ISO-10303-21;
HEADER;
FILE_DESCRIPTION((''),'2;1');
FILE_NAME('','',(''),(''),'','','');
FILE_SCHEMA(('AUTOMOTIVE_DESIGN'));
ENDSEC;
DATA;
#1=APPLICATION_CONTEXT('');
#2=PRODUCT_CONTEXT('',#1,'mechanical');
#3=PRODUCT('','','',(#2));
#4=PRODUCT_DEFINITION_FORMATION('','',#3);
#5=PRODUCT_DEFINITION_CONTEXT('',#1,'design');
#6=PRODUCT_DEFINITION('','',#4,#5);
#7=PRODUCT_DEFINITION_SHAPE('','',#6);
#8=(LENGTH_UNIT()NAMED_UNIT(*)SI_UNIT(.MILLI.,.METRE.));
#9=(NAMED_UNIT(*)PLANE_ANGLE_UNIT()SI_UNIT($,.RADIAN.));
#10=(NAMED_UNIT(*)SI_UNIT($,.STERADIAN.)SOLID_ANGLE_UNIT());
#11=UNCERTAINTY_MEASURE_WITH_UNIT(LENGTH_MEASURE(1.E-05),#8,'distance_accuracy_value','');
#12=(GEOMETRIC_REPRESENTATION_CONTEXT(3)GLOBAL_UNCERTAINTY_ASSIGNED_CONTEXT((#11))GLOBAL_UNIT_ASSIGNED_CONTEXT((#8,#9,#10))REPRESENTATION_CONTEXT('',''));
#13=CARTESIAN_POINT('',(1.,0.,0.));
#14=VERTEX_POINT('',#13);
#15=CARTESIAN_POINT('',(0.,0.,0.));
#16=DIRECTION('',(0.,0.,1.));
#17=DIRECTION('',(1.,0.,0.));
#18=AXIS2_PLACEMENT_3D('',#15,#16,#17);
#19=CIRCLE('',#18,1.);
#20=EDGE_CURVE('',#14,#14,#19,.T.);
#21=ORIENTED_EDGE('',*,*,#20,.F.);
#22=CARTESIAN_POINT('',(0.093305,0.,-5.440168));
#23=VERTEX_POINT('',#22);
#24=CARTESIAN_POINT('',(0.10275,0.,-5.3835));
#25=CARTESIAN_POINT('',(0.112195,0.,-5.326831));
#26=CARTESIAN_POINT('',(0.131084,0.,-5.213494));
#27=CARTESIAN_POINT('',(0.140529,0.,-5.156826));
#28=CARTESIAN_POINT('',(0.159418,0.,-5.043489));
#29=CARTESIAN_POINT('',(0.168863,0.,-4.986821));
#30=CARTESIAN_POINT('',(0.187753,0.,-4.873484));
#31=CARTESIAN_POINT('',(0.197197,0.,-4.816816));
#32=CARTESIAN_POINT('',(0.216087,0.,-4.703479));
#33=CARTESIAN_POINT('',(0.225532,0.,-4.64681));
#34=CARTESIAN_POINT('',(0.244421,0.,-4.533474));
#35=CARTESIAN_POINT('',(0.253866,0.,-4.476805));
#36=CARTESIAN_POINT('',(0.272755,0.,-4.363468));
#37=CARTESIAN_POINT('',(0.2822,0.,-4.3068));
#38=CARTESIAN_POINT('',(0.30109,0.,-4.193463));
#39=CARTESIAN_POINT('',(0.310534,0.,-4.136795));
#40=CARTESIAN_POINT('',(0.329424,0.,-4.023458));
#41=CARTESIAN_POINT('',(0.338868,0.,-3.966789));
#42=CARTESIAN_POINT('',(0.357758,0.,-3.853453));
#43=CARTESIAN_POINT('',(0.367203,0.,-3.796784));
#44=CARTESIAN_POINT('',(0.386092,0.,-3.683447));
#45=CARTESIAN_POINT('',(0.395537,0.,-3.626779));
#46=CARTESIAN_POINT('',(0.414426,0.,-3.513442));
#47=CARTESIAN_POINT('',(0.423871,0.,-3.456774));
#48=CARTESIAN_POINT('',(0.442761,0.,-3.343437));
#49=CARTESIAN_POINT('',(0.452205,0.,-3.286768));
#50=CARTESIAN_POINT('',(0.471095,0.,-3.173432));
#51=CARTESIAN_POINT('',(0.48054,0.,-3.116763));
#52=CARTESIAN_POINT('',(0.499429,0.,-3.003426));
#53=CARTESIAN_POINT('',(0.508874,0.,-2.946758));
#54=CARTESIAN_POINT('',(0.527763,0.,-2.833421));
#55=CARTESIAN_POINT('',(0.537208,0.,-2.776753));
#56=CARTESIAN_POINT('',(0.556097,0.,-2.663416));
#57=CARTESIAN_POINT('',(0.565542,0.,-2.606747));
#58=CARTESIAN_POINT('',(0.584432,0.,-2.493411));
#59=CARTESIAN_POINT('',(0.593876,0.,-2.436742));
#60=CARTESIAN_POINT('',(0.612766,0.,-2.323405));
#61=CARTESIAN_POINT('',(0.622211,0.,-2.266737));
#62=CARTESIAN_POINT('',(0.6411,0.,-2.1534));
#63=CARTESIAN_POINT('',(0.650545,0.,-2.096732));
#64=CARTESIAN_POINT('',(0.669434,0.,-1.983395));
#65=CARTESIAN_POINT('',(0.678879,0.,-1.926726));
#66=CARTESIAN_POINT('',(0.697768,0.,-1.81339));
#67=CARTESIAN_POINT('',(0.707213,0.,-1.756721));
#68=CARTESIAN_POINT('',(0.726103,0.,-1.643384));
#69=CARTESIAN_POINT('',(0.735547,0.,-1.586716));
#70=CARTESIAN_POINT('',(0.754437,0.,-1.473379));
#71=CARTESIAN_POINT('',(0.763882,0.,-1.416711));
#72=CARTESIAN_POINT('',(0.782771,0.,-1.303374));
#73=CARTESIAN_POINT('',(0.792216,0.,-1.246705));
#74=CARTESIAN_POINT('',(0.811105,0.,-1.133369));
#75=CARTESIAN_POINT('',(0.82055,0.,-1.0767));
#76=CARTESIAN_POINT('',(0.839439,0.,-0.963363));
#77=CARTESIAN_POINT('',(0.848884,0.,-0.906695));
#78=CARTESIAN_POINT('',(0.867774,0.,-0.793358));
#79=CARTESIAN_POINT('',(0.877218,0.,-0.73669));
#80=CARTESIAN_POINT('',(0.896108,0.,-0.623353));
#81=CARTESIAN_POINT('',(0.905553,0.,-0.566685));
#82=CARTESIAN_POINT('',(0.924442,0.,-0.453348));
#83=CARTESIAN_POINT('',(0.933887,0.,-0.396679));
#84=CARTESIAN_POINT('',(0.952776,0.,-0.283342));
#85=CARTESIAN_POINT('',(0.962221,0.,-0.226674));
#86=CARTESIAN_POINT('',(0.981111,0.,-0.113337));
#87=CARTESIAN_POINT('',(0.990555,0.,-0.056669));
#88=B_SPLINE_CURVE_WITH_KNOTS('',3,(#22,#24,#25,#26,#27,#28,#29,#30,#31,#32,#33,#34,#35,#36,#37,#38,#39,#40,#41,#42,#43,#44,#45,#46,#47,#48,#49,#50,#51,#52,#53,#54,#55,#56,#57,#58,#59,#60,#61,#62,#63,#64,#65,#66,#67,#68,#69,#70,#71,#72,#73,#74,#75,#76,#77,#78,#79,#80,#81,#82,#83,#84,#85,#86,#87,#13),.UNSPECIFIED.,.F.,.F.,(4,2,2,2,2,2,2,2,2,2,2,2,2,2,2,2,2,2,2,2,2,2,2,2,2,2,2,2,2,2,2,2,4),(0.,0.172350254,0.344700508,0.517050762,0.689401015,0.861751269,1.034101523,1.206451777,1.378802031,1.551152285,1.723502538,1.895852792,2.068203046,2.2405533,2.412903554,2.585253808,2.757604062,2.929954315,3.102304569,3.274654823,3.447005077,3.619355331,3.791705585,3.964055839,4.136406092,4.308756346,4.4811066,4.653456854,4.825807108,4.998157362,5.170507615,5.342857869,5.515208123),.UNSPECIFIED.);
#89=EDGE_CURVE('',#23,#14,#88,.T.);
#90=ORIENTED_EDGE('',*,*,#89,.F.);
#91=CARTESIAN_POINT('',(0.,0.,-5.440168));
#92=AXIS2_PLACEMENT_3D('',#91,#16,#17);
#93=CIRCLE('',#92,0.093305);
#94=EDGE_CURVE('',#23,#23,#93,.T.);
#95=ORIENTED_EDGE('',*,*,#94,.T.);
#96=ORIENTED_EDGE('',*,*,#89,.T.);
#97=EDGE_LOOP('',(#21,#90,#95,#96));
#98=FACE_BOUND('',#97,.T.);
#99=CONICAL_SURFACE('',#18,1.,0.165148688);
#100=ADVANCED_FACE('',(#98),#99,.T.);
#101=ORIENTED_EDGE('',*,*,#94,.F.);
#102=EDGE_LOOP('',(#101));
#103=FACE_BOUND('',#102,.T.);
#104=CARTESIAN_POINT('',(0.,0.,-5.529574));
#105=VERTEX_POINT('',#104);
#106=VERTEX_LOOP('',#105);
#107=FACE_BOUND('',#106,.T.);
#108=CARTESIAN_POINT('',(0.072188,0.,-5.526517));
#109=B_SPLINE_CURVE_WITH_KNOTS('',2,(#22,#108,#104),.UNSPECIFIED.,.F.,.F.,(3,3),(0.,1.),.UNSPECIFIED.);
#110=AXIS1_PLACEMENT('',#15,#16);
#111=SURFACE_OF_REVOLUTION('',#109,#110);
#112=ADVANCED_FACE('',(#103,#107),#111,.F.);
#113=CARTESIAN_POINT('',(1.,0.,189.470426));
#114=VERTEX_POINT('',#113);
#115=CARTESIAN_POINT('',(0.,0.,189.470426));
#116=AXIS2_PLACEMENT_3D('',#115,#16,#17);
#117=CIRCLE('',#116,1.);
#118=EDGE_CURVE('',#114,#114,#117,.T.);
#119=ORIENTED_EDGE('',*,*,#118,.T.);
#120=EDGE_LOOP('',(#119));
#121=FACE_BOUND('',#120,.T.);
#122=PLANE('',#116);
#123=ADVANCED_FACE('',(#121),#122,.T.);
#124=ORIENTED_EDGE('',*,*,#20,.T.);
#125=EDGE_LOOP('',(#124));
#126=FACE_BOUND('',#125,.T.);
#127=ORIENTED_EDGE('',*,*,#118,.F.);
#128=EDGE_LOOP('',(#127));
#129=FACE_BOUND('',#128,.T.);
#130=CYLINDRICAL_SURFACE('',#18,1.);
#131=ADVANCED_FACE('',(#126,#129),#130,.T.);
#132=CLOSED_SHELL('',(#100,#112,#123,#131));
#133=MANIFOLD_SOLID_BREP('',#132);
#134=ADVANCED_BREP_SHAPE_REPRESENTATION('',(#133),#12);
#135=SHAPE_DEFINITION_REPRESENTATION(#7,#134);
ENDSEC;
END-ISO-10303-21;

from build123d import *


with BuildPart() as part:
    # Sketch1 → Revolve1 (revolve)
    with BuildSketch(Plane(origin=(0, 0, 0), x_dir=(1, 0, 0), z_dir=(0, 1, 0))):
        with BuildLine():
            Line((0, 0), (0, 5.529574143))
            add(Edge.make_bspline(
                [(0, 5.529574143), (0.072188462, 5.526516627), (0.093305311, 5.44016813)],
                knots=[0, 0, 0, 1, 1, 1], degree=2))
            Line((0.093305311, 5.44016813), (1, 3.58e-07))
            Line((1, 3.58e-07), (1, -189.470425857))
            Line((1, -189.470425857), (0, -189.470425857))
            Line((0, -189.470425857), (0, 0))
        make_face()
    revolve(axis=Axis((0, 0, 0), (0, 0, -1)))


solid = part.part
